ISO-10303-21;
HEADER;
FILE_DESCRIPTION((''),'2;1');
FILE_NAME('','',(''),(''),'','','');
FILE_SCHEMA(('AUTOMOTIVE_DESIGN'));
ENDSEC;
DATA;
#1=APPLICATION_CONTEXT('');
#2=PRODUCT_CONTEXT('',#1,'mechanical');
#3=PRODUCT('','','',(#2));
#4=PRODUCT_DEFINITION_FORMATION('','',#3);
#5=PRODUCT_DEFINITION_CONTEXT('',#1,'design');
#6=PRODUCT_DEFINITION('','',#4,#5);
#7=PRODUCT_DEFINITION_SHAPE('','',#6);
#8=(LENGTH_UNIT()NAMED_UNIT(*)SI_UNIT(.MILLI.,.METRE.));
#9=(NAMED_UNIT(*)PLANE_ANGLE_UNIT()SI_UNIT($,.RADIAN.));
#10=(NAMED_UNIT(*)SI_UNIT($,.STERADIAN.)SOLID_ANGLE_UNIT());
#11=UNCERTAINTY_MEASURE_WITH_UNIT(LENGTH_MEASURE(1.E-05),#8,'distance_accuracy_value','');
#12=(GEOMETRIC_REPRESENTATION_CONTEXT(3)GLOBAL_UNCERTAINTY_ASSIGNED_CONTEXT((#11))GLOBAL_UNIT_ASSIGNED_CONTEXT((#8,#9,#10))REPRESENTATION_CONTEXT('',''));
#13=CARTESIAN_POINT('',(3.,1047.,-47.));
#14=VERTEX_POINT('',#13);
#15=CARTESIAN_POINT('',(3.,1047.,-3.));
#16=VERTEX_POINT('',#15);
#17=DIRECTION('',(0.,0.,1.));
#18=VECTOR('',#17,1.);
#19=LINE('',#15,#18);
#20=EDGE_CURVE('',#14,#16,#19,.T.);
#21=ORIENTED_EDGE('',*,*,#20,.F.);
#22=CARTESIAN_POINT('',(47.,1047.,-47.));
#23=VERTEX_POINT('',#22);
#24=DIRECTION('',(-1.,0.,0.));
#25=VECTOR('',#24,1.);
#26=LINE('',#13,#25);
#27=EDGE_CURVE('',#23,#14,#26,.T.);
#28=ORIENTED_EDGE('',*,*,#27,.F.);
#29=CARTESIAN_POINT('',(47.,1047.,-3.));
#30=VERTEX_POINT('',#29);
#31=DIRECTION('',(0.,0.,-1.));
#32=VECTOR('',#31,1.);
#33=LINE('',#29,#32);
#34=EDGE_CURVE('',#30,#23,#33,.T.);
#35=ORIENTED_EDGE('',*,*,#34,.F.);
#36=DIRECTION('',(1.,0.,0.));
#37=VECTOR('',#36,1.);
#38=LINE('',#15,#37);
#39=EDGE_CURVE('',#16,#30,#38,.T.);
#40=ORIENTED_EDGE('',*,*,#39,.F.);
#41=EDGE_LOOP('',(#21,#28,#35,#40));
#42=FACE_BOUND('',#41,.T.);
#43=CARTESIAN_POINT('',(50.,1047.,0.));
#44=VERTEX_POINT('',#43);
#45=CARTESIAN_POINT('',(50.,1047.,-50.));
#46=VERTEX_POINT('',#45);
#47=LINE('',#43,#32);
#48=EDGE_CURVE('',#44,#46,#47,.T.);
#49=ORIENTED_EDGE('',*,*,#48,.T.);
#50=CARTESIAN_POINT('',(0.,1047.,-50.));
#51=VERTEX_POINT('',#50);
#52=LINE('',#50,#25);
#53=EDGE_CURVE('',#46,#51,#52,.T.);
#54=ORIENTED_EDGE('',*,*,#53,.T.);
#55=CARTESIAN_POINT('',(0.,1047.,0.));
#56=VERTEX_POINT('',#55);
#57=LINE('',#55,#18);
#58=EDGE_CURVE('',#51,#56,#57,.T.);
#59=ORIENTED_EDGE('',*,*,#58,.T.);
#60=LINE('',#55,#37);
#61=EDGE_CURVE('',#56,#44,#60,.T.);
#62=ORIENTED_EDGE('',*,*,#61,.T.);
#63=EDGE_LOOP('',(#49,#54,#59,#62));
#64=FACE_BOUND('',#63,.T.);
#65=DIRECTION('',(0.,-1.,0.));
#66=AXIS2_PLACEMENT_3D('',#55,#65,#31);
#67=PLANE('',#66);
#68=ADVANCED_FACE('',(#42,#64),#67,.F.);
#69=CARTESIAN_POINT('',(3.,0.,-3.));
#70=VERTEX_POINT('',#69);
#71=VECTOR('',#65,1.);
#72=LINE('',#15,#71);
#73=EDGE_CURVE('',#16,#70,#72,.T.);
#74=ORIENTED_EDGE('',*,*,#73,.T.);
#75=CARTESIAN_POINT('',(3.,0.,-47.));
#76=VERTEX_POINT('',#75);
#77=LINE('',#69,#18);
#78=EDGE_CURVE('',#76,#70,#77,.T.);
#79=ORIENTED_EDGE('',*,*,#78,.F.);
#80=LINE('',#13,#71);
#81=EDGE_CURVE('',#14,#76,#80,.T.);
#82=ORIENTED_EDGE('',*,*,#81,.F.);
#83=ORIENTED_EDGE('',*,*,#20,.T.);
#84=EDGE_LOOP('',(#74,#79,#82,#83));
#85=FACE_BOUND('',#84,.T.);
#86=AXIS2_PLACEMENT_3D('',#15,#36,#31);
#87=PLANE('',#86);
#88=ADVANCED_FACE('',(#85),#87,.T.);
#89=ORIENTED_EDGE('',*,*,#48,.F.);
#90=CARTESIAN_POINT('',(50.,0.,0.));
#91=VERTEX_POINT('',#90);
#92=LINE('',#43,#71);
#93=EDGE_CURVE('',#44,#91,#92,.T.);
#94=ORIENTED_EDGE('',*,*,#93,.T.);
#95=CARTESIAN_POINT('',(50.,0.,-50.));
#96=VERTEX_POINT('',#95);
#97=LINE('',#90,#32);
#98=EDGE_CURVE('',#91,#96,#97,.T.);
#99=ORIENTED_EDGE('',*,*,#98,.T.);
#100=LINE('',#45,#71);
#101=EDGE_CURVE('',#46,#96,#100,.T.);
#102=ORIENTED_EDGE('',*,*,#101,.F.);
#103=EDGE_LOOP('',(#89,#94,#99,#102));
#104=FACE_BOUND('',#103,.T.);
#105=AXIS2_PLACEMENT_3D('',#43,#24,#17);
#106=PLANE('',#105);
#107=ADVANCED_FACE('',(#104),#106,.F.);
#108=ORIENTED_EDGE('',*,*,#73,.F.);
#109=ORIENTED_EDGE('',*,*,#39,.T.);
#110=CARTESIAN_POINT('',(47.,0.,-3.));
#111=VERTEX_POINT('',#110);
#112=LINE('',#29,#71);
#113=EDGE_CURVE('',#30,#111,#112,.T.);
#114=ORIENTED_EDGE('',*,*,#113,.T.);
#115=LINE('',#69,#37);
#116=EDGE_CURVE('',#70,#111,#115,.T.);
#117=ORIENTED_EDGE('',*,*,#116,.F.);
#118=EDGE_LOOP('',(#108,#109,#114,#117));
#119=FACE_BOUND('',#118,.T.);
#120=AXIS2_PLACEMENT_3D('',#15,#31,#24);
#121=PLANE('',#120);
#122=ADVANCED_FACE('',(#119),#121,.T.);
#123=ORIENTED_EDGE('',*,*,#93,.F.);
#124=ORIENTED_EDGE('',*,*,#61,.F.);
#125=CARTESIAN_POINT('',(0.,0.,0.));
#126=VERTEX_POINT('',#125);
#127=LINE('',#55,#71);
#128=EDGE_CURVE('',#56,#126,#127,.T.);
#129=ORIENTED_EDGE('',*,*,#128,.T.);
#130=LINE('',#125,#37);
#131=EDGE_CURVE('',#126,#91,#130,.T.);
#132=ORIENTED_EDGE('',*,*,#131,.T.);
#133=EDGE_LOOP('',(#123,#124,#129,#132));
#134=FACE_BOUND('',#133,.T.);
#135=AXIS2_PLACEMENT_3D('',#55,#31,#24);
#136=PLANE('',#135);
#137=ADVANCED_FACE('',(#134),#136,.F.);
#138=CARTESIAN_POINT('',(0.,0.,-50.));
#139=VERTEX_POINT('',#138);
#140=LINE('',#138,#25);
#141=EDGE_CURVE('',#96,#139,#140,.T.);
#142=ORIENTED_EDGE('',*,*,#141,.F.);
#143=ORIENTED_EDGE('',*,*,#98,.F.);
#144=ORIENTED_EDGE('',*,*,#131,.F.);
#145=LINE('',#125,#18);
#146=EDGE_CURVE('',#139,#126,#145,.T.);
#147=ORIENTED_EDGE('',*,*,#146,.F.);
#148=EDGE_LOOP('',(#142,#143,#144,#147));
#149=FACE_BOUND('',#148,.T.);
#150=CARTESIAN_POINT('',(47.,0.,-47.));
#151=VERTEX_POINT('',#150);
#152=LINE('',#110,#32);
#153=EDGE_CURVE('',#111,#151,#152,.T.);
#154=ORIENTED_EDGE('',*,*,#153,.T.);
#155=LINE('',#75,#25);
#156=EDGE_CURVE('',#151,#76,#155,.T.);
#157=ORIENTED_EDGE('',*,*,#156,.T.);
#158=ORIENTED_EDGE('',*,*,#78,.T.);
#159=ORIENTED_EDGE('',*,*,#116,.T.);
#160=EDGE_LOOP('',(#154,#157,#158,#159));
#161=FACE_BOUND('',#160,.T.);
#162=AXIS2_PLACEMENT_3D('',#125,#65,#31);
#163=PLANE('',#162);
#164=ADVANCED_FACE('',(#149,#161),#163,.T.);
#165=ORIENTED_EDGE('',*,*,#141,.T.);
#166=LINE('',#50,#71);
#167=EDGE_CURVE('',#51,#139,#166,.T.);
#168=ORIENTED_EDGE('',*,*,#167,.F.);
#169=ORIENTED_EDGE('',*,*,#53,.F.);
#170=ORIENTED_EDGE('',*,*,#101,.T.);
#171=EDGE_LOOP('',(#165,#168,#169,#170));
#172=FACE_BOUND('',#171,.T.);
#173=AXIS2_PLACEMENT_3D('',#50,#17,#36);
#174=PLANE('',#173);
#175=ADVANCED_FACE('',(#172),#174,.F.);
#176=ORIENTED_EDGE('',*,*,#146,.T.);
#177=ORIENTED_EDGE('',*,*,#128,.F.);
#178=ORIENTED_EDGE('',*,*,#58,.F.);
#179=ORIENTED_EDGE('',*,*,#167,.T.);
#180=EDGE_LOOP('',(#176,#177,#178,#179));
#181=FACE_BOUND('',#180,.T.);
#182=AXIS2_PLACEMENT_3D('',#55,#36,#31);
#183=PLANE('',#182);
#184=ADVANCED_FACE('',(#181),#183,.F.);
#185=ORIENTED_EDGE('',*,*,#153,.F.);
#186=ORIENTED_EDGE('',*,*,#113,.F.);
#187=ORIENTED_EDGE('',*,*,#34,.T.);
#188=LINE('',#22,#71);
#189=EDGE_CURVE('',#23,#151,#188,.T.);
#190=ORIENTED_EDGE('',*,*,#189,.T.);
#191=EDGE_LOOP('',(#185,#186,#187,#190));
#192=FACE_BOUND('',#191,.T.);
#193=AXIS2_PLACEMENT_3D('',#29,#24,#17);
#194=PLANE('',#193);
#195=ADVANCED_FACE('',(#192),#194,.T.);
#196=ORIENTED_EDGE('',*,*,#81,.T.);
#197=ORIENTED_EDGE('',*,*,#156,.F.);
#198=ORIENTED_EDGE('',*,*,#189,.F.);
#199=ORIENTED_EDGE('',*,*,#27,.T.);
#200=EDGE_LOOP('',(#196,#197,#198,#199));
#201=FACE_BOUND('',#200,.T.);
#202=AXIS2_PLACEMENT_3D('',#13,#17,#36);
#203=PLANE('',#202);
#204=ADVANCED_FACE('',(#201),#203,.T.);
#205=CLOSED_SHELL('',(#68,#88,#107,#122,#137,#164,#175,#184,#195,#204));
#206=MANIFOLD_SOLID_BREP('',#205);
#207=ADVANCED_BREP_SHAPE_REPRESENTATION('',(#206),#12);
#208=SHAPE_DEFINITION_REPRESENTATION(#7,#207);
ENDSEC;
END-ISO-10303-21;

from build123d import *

# Parameters (mm, degrees)
SKETCH1_W           = 50
SKETCH1_H           = 50
SKETCH1_W_2         = 44
SKETCH1_H_2         = 44
BOSS_EXTRUDE1_DEPTH = 1047


with BuildPart() as part:
    # Sketch1 → Boss-Extrude1 (new body)
    with BuildSketch(Plane(origin=(0, 0, 0), x_dir=(1, 0, 0), z_dir=(0, 1, 0))):
        with Locations((25, 25)):
            Rectangle(SKETCH1_W, SKETCH1_H)
        with Locations((25, 25)):
            Rectangle(SKETCH1_W_2, SKETCH1_H_2, mode=Mode.SUBTRACT)
    extrude(amount=BOSS_EXTRUDE1_DEPTH)


solid = part.part
